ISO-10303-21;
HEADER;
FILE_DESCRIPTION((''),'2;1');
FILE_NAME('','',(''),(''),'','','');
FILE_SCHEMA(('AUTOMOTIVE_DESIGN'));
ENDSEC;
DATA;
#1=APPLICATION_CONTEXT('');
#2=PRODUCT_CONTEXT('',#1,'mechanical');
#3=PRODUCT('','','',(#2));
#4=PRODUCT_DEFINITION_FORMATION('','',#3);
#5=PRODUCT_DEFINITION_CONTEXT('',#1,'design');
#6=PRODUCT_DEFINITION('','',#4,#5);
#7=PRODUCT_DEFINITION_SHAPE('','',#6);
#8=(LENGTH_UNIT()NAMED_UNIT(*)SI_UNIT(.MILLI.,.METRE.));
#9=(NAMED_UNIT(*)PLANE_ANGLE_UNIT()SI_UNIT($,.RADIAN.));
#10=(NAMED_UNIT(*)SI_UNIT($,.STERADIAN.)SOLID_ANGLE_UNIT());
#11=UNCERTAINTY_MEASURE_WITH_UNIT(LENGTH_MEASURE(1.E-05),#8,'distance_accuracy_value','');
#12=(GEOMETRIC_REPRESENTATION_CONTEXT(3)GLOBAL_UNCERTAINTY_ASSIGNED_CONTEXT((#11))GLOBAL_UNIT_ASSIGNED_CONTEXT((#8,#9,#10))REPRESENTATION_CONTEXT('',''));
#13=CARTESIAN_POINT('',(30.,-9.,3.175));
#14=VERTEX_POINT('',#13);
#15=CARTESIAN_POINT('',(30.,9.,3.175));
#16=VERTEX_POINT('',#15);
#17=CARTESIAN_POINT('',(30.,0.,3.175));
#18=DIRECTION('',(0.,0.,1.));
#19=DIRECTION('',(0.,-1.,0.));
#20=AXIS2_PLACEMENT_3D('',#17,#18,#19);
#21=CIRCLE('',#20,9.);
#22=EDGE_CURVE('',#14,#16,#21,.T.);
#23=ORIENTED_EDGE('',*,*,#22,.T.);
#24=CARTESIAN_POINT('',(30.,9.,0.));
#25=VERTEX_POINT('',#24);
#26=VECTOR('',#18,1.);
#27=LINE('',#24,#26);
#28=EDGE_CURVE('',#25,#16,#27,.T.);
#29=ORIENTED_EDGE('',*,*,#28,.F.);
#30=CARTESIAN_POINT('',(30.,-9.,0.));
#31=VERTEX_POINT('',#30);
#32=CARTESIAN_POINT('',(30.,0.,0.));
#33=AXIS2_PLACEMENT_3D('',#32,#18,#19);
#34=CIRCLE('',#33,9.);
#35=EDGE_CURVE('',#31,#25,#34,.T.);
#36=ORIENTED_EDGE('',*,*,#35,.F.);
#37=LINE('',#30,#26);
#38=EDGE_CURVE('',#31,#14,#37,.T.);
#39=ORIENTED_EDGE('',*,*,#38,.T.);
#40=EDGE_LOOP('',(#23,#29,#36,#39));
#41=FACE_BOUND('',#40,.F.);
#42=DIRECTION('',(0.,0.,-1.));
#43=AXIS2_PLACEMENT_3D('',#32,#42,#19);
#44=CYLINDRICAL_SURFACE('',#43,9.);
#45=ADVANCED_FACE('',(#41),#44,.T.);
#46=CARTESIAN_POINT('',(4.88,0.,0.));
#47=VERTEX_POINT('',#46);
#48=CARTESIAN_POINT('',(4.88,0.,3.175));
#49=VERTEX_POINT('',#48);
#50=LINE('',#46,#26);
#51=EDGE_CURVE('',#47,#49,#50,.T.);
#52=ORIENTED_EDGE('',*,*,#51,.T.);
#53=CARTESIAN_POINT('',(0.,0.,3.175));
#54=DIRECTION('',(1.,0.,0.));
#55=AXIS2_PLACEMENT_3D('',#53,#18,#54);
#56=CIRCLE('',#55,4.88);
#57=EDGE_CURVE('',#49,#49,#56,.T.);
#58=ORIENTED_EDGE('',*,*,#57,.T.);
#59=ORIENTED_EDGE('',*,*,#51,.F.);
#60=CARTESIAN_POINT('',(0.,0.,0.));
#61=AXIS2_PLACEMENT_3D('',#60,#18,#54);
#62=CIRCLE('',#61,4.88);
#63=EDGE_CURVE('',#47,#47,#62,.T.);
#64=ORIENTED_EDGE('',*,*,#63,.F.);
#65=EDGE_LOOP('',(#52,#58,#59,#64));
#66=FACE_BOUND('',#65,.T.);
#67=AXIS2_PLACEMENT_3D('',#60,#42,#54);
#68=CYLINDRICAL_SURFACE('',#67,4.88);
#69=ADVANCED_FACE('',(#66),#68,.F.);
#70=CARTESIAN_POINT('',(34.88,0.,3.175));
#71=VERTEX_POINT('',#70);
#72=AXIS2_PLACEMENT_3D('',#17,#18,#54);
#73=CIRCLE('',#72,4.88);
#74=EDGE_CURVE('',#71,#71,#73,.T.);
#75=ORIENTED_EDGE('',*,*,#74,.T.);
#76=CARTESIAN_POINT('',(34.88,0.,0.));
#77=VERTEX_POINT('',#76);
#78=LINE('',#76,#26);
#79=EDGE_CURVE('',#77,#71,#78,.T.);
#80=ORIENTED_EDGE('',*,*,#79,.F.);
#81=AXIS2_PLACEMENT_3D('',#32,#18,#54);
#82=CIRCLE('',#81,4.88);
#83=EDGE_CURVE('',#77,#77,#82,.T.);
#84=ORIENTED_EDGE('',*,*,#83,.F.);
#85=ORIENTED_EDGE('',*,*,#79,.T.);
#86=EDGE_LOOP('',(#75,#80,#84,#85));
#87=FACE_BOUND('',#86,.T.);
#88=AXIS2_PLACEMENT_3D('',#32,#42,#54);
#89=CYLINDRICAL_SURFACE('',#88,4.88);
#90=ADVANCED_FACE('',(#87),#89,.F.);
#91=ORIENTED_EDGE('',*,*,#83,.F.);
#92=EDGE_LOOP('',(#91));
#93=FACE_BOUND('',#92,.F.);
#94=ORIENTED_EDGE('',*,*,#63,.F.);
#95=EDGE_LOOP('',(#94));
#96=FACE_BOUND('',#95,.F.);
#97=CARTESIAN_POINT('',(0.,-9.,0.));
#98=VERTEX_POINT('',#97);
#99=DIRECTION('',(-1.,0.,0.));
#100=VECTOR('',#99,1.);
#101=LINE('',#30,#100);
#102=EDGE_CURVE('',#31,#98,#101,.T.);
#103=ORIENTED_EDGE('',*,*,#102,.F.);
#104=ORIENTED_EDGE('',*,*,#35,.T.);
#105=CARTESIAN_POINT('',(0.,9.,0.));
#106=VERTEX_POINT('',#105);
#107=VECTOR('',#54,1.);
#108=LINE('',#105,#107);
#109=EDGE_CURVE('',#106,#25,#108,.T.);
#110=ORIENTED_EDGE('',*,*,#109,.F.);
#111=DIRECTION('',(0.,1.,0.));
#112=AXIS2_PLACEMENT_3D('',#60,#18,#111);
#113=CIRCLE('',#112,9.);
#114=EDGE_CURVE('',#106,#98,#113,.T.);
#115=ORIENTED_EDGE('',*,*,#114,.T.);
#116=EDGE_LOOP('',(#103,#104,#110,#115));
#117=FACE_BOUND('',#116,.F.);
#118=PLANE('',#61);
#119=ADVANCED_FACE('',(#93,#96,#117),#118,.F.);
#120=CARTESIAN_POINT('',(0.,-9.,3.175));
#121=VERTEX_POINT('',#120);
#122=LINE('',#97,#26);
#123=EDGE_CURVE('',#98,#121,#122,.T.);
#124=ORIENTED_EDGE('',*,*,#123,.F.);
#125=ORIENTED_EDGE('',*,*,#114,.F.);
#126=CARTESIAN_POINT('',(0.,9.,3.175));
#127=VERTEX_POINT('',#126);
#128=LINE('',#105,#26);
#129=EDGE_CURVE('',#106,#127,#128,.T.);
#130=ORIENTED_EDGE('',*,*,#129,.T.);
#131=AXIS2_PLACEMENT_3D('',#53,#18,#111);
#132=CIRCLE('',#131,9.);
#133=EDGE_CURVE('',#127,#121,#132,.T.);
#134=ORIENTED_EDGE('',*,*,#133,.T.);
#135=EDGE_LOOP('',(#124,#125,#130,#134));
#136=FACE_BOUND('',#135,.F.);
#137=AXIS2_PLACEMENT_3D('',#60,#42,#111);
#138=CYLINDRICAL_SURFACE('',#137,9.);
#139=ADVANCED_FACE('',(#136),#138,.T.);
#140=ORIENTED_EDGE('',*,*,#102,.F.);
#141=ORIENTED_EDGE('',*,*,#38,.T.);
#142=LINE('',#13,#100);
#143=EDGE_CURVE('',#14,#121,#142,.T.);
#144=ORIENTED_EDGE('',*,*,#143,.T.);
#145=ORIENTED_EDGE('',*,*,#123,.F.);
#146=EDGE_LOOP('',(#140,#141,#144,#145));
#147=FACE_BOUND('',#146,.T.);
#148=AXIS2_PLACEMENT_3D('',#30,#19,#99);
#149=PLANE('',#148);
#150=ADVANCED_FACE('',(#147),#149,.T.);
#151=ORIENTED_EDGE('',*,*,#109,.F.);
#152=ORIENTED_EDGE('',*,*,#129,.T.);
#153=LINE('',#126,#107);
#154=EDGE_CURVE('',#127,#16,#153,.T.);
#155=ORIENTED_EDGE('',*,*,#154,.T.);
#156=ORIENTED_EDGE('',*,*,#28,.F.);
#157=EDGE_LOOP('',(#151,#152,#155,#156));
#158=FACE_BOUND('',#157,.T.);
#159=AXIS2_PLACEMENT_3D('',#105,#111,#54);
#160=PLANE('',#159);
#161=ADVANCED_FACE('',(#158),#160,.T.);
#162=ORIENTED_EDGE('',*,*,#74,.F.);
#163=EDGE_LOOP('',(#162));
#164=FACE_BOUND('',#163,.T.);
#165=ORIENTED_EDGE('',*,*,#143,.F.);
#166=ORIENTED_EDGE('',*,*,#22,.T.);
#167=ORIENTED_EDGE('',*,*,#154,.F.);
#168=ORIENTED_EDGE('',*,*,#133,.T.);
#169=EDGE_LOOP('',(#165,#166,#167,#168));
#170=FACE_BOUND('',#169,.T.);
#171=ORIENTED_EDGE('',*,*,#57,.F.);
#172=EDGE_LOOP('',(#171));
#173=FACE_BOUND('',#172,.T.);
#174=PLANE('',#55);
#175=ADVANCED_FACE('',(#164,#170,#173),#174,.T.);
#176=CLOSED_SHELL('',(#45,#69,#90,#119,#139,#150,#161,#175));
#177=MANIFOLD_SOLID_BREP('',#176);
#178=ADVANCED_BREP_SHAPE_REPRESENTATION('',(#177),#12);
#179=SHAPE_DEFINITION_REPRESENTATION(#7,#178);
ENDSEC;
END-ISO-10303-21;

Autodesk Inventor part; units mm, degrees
ref_plane "YZ Plane" through (0, 0, 0) normal (1, 0, 0) x (0, 1, 0)
ref_plane "XZ Plane" through (0, 0, 0) normal (0, 1, 0) x (-1, 0, 0)
ref_plane "XY Plane" through (0, 0, 0) normal (0, 0, 1) x (1, 0, 0)
sketch "Sketch1" plane through (0, 0, 0) normal (0, 0, 1) x (1, 0, 0)
  circle A0 centre (0, 0) radius 4.88
  line L0 (0, 9) -> (30, 9)
  arc A1 (30, -9) -> (30, 9) centre (30, 0) ccw
  line L1 (30, -9) -> (0, -9)
  arc A2 (0, 9) -> (0, -9) centre (0, 0) ccw
  circle A3 centre (30, 0) radius 4.88
  dimension "d0" = 9.76
  dimension "d1" = 9
  dimension "d2" = 30
extrude "Extrusion1" add sketch "Sketch1" along normal blind 3.175
properties part number "tipper_link_D"
